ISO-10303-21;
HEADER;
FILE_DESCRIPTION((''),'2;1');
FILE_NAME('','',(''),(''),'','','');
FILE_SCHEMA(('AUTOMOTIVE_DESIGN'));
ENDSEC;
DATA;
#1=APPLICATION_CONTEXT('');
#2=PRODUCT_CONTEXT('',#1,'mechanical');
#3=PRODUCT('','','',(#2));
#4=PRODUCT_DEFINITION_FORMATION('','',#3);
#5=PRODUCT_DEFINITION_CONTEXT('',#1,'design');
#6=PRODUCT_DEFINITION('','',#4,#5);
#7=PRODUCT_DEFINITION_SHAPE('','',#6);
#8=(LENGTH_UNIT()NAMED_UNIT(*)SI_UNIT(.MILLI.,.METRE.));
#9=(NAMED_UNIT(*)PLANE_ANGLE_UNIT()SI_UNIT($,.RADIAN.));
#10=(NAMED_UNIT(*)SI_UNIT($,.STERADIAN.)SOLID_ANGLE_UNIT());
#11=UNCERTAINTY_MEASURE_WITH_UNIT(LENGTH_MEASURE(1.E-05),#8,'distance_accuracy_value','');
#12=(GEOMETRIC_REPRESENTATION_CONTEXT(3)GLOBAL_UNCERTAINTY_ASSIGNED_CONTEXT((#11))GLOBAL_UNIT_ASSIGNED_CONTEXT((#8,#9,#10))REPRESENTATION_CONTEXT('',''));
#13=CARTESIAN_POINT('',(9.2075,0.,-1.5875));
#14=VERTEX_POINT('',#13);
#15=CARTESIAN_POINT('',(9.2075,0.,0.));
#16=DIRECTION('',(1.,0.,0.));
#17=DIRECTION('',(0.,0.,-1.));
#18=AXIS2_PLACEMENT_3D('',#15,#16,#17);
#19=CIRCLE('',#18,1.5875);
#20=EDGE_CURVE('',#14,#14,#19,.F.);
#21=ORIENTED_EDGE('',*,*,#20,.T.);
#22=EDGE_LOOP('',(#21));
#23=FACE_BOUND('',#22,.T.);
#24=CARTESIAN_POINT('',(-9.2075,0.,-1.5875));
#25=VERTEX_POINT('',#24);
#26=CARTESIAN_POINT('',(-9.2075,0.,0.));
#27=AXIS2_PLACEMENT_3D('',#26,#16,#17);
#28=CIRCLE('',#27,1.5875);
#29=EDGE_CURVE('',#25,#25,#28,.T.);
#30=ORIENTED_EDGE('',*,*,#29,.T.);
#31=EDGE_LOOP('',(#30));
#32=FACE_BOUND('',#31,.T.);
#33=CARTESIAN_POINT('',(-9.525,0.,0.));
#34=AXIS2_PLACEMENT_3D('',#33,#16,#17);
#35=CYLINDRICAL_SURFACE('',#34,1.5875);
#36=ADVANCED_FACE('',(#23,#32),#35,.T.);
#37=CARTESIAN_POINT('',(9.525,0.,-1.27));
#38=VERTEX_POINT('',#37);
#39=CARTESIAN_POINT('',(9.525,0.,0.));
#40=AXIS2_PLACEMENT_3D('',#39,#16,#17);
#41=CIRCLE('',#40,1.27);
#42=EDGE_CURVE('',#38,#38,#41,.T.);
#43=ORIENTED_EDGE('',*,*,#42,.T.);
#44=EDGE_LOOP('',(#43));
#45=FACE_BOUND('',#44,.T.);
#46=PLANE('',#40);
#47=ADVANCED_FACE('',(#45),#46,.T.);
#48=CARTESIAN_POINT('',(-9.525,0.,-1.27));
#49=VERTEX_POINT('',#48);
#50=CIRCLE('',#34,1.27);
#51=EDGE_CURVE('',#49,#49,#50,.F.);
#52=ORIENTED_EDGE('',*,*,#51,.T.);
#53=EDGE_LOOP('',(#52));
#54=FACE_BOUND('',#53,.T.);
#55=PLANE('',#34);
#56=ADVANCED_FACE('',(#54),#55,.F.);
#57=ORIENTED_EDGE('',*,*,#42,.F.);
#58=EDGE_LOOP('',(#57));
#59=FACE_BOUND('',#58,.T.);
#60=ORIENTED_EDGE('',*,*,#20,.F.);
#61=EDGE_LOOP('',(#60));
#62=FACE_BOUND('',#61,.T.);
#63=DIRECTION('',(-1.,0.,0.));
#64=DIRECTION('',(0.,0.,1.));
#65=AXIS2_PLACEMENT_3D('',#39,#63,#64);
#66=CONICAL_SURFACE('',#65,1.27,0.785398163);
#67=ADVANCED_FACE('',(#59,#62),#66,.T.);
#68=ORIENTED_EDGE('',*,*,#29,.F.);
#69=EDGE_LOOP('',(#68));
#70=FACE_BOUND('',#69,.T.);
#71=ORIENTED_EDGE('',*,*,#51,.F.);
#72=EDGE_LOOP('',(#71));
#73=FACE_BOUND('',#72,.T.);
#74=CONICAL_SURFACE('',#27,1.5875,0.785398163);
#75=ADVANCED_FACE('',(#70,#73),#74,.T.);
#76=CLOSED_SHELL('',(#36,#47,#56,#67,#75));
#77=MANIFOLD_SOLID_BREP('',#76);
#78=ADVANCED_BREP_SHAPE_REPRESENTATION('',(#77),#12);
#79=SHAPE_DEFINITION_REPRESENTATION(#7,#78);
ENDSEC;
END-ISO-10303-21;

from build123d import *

# Parameters (mm, degrees)
SKETCH2_R           = 1.5875
EXTRUDE1_DEPTH      = 9.525
EXTRUDE1_DEPTH_BACK = 9.525
CHAMFER1_SIZE       = 0.3175


with BuildPart() as part:
    # Sketch2 → Extrude1 (new body, two sides)
    with BuildSketch(Plane(origin=(0, 0, 0), x_dir=(0, 0, -1), z_dir=(1, 0, 0))) as extrude1_sk:
        Circle(SKETCH2_R)
    extrude(amount=EXTRUDE1_DEPTH)
    extrude(extrude1_sk.sketch, amount=-EXTRUDE1_DEPTH_BACK)

    # Chamfer1
    chamfer1_edges = [part.edges().sort_by_distance(p)[0] for p in [
        (-9.525, 0, 1.5875),
        (9.525, 0, 1.5875),
    ]]
    chamfer(chamfer1_edges, length=CHAMFER1_SIZE)


solid = part.part
